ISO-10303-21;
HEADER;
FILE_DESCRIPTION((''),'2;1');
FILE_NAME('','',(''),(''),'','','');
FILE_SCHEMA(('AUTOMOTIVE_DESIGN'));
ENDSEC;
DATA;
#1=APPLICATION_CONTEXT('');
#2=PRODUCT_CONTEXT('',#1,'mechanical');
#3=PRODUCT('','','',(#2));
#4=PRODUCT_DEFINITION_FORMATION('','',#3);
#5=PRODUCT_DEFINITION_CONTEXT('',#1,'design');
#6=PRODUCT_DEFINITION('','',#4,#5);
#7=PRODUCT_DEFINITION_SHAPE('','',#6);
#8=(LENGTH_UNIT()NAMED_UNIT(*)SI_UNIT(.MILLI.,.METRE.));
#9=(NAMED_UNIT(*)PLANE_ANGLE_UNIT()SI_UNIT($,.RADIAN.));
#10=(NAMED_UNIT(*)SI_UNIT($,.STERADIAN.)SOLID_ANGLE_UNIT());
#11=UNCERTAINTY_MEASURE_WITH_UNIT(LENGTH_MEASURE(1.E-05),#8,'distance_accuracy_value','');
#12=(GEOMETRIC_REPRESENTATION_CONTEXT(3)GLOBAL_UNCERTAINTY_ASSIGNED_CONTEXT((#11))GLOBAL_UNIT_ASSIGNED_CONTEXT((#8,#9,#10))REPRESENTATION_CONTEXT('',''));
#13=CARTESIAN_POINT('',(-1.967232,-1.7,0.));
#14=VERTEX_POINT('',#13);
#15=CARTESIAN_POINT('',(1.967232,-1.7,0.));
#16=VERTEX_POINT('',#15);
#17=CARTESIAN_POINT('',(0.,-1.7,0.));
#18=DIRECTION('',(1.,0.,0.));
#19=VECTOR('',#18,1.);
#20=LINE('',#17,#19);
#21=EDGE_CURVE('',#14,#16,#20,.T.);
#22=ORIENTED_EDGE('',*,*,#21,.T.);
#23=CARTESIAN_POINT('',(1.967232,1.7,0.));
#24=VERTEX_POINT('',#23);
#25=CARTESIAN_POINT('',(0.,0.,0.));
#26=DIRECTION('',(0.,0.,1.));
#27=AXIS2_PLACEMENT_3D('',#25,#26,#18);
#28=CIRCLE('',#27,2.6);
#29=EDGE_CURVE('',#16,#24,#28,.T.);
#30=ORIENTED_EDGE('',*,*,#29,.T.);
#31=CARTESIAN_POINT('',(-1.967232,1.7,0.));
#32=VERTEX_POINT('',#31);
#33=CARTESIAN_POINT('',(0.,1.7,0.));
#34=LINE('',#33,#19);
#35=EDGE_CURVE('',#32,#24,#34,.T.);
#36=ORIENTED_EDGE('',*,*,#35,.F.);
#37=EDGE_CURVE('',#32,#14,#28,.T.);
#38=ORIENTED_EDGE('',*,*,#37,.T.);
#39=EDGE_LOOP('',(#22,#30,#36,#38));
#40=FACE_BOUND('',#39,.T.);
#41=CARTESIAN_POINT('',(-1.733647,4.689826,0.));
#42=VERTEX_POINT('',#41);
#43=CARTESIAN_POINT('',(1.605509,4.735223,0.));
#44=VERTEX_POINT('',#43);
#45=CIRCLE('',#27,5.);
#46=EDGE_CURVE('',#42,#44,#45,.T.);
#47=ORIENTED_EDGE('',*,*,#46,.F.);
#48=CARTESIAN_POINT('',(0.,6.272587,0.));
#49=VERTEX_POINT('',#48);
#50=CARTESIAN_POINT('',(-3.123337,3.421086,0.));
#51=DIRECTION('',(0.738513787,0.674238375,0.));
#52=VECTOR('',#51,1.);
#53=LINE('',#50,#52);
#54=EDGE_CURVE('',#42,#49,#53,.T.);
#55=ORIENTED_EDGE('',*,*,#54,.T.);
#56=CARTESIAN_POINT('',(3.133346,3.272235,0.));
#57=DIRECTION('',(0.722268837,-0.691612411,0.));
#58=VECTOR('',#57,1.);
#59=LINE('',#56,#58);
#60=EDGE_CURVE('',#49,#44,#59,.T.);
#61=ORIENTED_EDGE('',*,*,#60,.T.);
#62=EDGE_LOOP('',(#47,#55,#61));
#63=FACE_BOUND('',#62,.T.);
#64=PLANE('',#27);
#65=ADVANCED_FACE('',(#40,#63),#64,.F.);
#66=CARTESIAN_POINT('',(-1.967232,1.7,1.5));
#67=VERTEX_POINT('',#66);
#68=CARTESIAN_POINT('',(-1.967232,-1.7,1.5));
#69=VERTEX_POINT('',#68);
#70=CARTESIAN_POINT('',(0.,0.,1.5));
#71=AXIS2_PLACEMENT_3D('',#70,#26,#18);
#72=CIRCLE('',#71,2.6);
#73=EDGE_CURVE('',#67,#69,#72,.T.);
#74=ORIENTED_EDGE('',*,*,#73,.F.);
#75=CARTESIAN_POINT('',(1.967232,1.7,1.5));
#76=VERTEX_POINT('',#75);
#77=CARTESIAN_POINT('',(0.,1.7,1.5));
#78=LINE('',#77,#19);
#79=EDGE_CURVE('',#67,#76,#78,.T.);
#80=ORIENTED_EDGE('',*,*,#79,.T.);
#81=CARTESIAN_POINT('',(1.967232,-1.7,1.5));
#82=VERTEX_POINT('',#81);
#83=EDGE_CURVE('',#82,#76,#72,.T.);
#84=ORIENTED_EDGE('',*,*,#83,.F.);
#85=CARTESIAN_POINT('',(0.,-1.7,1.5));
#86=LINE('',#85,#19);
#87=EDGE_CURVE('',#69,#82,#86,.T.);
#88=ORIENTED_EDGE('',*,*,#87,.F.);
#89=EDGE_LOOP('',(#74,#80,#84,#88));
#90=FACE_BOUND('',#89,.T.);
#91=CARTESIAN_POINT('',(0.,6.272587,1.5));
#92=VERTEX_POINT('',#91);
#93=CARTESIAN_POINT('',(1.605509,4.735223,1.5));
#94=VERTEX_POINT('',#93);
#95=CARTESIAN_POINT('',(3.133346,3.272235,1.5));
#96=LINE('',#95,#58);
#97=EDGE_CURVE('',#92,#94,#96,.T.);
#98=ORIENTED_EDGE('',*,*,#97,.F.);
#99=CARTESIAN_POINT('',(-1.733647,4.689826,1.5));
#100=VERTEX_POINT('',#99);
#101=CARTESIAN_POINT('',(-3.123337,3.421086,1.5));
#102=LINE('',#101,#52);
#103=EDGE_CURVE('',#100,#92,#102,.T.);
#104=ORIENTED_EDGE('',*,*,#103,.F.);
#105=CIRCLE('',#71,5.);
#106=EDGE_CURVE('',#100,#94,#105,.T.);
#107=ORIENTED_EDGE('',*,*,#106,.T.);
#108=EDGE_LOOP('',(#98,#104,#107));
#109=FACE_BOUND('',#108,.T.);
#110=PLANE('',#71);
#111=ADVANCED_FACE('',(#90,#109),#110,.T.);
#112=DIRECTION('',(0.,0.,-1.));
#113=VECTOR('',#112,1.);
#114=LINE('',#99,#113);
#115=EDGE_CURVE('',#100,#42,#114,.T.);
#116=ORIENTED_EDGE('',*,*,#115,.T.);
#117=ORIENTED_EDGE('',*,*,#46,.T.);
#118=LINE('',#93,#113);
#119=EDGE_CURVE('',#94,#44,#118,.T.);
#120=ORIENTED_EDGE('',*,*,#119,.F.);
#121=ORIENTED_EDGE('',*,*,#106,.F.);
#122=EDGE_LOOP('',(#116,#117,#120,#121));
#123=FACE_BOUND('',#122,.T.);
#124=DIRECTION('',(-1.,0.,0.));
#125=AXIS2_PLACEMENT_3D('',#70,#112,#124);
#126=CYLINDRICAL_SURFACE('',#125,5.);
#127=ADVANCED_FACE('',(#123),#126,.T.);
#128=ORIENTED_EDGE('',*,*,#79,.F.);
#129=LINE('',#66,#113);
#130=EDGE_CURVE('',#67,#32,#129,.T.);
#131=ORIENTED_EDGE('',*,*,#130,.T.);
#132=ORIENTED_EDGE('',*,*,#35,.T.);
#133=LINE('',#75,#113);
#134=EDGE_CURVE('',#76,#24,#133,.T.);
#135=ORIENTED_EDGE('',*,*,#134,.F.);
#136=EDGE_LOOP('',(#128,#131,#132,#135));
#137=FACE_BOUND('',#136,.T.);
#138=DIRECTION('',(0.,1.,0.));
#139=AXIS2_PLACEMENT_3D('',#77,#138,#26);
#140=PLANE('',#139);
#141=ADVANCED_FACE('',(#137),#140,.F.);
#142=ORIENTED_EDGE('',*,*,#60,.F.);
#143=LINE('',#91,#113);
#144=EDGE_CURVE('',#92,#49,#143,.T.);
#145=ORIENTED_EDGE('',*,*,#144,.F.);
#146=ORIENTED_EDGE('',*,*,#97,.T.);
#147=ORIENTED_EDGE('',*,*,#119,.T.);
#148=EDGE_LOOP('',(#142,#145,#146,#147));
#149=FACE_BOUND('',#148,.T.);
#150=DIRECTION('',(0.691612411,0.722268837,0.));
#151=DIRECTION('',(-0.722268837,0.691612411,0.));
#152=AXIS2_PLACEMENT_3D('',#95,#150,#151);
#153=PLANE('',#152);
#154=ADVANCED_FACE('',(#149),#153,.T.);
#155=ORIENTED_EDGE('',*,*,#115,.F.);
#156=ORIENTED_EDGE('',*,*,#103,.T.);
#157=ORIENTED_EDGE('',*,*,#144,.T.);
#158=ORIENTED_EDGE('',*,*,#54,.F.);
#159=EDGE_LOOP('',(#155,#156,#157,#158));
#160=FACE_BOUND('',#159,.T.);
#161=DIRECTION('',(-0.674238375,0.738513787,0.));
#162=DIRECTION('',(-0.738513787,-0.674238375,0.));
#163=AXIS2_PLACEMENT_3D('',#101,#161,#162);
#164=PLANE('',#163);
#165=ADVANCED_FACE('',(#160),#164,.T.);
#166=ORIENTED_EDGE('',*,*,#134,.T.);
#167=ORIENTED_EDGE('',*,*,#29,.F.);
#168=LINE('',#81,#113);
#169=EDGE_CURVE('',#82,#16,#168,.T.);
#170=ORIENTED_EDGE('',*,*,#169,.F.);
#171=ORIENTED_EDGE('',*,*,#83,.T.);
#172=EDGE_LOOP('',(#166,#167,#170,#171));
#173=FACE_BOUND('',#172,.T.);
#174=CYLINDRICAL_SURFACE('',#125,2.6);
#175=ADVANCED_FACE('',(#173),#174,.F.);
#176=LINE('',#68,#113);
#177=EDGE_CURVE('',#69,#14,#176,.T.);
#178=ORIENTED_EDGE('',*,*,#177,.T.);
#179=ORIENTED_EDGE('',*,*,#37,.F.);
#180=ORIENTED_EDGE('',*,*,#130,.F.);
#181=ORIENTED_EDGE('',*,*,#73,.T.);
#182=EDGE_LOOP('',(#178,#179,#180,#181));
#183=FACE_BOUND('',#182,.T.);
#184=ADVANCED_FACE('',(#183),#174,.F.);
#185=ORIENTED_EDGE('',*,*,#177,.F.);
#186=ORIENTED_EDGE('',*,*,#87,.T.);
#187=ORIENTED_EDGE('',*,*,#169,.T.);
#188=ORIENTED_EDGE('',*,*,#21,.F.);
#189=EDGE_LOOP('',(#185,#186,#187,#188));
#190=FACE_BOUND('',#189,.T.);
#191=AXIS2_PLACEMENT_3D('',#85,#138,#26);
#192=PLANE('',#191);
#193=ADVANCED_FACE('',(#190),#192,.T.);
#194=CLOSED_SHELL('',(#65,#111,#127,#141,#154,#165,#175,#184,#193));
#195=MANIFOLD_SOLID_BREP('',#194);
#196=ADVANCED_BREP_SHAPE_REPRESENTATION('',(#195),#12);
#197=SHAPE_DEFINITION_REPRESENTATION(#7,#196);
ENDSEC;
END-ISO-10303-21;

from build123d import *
from build123d.topology import SkipClean

# Parameters (mm, degrees)
SKETCH1_R           = 5
SKETCH1_R_2         = 2.6
BOSS_EXTRUDE1_DEPTH = 1.5


with BuildPart() as part:
    # Sketch1 → Boss-Extrude1 (new body)
    # profile 1 of 6: a face of its own
    with SkipClean():  # the faces are left unmerged after this step: merging them gives an invalid solid
        with BuildSketch(Plane.XY):
            Circle(SKETCH1_R)
            Circle(SKETCH1_R_2, mode=Mode.SUBTRACT)
        # profile 2 of 6: a face of its own
        with BuildSketch(Plane.XY):
            with BuildLine():
                Line((-1.967231557, 1.7), (-3.027185929, 1.7))
                Line((-3.027185929, 1.7), (-3.027185929, -1.7))
                Line((-3.027185929, -1.7), (-1.967231557, -1.7))
                ThreePointArc((-1.967231557, -1.7), (-2.6, 0), (-1.967231557, 1.7))
            make_face()
        # profile 3 of 6: a face of its own
        with BuildSketch(Plane.XY):
            with BuildLine():
                ThreePointArc((1.967231557, 1.7), (0, 2.6), (-1.967231557, 1.7))
                Line((-1.967231557, 1.7), (1.967231557, 1.7))
            make_face()
        # profile 4 of 6: a face of its own
        with BuildSketch(Plane.XY):
            with BuildLine():
                Line((3.027185929, 1.7), (1.967231557, 1.7))
                ThreePointArc((1.967231557, 1.7), (2.436678277, 0.906972423), (2.6, 0))
                ThreePointArc((2.6, 0), (2.436678277, -0.906972423), (1.967231557, -1.7))
                Line((1.967231557, -1.7), (3.027185929, -1.7))
                Line((3.027185929, -1.7), (3.027185929, 1.7))
            make_face()
        # profile 5 of 6: a face of its own
        with BuildSketch(Plane.XY):
            with BuildLine():
                Line((1.967231557, -1.7), (-1.967231557, -1.7))
                ThreePointArc((-1.967231557, -1.7), (0, -2.6), (1.967231557, -1.7))
            make_face()
        # profile 6 of 6: a face of its own
        with BuildSketch(Plane.XY):
            with BuildLine():
                Line((0, 6.272587449), (-1.733646509, 4.6898262))
                ThreePointArc((-1.733646509, 4.6898262), (-0.067970608, 4.999537978), (1.6055094, 4.735223286))
                Line((1.6055094, 4.735223286), (0, 6.272587449))
            make_face()
        extrude(amount=BOSS_EXTRUDE1_DEPTH)


solid = part.part
